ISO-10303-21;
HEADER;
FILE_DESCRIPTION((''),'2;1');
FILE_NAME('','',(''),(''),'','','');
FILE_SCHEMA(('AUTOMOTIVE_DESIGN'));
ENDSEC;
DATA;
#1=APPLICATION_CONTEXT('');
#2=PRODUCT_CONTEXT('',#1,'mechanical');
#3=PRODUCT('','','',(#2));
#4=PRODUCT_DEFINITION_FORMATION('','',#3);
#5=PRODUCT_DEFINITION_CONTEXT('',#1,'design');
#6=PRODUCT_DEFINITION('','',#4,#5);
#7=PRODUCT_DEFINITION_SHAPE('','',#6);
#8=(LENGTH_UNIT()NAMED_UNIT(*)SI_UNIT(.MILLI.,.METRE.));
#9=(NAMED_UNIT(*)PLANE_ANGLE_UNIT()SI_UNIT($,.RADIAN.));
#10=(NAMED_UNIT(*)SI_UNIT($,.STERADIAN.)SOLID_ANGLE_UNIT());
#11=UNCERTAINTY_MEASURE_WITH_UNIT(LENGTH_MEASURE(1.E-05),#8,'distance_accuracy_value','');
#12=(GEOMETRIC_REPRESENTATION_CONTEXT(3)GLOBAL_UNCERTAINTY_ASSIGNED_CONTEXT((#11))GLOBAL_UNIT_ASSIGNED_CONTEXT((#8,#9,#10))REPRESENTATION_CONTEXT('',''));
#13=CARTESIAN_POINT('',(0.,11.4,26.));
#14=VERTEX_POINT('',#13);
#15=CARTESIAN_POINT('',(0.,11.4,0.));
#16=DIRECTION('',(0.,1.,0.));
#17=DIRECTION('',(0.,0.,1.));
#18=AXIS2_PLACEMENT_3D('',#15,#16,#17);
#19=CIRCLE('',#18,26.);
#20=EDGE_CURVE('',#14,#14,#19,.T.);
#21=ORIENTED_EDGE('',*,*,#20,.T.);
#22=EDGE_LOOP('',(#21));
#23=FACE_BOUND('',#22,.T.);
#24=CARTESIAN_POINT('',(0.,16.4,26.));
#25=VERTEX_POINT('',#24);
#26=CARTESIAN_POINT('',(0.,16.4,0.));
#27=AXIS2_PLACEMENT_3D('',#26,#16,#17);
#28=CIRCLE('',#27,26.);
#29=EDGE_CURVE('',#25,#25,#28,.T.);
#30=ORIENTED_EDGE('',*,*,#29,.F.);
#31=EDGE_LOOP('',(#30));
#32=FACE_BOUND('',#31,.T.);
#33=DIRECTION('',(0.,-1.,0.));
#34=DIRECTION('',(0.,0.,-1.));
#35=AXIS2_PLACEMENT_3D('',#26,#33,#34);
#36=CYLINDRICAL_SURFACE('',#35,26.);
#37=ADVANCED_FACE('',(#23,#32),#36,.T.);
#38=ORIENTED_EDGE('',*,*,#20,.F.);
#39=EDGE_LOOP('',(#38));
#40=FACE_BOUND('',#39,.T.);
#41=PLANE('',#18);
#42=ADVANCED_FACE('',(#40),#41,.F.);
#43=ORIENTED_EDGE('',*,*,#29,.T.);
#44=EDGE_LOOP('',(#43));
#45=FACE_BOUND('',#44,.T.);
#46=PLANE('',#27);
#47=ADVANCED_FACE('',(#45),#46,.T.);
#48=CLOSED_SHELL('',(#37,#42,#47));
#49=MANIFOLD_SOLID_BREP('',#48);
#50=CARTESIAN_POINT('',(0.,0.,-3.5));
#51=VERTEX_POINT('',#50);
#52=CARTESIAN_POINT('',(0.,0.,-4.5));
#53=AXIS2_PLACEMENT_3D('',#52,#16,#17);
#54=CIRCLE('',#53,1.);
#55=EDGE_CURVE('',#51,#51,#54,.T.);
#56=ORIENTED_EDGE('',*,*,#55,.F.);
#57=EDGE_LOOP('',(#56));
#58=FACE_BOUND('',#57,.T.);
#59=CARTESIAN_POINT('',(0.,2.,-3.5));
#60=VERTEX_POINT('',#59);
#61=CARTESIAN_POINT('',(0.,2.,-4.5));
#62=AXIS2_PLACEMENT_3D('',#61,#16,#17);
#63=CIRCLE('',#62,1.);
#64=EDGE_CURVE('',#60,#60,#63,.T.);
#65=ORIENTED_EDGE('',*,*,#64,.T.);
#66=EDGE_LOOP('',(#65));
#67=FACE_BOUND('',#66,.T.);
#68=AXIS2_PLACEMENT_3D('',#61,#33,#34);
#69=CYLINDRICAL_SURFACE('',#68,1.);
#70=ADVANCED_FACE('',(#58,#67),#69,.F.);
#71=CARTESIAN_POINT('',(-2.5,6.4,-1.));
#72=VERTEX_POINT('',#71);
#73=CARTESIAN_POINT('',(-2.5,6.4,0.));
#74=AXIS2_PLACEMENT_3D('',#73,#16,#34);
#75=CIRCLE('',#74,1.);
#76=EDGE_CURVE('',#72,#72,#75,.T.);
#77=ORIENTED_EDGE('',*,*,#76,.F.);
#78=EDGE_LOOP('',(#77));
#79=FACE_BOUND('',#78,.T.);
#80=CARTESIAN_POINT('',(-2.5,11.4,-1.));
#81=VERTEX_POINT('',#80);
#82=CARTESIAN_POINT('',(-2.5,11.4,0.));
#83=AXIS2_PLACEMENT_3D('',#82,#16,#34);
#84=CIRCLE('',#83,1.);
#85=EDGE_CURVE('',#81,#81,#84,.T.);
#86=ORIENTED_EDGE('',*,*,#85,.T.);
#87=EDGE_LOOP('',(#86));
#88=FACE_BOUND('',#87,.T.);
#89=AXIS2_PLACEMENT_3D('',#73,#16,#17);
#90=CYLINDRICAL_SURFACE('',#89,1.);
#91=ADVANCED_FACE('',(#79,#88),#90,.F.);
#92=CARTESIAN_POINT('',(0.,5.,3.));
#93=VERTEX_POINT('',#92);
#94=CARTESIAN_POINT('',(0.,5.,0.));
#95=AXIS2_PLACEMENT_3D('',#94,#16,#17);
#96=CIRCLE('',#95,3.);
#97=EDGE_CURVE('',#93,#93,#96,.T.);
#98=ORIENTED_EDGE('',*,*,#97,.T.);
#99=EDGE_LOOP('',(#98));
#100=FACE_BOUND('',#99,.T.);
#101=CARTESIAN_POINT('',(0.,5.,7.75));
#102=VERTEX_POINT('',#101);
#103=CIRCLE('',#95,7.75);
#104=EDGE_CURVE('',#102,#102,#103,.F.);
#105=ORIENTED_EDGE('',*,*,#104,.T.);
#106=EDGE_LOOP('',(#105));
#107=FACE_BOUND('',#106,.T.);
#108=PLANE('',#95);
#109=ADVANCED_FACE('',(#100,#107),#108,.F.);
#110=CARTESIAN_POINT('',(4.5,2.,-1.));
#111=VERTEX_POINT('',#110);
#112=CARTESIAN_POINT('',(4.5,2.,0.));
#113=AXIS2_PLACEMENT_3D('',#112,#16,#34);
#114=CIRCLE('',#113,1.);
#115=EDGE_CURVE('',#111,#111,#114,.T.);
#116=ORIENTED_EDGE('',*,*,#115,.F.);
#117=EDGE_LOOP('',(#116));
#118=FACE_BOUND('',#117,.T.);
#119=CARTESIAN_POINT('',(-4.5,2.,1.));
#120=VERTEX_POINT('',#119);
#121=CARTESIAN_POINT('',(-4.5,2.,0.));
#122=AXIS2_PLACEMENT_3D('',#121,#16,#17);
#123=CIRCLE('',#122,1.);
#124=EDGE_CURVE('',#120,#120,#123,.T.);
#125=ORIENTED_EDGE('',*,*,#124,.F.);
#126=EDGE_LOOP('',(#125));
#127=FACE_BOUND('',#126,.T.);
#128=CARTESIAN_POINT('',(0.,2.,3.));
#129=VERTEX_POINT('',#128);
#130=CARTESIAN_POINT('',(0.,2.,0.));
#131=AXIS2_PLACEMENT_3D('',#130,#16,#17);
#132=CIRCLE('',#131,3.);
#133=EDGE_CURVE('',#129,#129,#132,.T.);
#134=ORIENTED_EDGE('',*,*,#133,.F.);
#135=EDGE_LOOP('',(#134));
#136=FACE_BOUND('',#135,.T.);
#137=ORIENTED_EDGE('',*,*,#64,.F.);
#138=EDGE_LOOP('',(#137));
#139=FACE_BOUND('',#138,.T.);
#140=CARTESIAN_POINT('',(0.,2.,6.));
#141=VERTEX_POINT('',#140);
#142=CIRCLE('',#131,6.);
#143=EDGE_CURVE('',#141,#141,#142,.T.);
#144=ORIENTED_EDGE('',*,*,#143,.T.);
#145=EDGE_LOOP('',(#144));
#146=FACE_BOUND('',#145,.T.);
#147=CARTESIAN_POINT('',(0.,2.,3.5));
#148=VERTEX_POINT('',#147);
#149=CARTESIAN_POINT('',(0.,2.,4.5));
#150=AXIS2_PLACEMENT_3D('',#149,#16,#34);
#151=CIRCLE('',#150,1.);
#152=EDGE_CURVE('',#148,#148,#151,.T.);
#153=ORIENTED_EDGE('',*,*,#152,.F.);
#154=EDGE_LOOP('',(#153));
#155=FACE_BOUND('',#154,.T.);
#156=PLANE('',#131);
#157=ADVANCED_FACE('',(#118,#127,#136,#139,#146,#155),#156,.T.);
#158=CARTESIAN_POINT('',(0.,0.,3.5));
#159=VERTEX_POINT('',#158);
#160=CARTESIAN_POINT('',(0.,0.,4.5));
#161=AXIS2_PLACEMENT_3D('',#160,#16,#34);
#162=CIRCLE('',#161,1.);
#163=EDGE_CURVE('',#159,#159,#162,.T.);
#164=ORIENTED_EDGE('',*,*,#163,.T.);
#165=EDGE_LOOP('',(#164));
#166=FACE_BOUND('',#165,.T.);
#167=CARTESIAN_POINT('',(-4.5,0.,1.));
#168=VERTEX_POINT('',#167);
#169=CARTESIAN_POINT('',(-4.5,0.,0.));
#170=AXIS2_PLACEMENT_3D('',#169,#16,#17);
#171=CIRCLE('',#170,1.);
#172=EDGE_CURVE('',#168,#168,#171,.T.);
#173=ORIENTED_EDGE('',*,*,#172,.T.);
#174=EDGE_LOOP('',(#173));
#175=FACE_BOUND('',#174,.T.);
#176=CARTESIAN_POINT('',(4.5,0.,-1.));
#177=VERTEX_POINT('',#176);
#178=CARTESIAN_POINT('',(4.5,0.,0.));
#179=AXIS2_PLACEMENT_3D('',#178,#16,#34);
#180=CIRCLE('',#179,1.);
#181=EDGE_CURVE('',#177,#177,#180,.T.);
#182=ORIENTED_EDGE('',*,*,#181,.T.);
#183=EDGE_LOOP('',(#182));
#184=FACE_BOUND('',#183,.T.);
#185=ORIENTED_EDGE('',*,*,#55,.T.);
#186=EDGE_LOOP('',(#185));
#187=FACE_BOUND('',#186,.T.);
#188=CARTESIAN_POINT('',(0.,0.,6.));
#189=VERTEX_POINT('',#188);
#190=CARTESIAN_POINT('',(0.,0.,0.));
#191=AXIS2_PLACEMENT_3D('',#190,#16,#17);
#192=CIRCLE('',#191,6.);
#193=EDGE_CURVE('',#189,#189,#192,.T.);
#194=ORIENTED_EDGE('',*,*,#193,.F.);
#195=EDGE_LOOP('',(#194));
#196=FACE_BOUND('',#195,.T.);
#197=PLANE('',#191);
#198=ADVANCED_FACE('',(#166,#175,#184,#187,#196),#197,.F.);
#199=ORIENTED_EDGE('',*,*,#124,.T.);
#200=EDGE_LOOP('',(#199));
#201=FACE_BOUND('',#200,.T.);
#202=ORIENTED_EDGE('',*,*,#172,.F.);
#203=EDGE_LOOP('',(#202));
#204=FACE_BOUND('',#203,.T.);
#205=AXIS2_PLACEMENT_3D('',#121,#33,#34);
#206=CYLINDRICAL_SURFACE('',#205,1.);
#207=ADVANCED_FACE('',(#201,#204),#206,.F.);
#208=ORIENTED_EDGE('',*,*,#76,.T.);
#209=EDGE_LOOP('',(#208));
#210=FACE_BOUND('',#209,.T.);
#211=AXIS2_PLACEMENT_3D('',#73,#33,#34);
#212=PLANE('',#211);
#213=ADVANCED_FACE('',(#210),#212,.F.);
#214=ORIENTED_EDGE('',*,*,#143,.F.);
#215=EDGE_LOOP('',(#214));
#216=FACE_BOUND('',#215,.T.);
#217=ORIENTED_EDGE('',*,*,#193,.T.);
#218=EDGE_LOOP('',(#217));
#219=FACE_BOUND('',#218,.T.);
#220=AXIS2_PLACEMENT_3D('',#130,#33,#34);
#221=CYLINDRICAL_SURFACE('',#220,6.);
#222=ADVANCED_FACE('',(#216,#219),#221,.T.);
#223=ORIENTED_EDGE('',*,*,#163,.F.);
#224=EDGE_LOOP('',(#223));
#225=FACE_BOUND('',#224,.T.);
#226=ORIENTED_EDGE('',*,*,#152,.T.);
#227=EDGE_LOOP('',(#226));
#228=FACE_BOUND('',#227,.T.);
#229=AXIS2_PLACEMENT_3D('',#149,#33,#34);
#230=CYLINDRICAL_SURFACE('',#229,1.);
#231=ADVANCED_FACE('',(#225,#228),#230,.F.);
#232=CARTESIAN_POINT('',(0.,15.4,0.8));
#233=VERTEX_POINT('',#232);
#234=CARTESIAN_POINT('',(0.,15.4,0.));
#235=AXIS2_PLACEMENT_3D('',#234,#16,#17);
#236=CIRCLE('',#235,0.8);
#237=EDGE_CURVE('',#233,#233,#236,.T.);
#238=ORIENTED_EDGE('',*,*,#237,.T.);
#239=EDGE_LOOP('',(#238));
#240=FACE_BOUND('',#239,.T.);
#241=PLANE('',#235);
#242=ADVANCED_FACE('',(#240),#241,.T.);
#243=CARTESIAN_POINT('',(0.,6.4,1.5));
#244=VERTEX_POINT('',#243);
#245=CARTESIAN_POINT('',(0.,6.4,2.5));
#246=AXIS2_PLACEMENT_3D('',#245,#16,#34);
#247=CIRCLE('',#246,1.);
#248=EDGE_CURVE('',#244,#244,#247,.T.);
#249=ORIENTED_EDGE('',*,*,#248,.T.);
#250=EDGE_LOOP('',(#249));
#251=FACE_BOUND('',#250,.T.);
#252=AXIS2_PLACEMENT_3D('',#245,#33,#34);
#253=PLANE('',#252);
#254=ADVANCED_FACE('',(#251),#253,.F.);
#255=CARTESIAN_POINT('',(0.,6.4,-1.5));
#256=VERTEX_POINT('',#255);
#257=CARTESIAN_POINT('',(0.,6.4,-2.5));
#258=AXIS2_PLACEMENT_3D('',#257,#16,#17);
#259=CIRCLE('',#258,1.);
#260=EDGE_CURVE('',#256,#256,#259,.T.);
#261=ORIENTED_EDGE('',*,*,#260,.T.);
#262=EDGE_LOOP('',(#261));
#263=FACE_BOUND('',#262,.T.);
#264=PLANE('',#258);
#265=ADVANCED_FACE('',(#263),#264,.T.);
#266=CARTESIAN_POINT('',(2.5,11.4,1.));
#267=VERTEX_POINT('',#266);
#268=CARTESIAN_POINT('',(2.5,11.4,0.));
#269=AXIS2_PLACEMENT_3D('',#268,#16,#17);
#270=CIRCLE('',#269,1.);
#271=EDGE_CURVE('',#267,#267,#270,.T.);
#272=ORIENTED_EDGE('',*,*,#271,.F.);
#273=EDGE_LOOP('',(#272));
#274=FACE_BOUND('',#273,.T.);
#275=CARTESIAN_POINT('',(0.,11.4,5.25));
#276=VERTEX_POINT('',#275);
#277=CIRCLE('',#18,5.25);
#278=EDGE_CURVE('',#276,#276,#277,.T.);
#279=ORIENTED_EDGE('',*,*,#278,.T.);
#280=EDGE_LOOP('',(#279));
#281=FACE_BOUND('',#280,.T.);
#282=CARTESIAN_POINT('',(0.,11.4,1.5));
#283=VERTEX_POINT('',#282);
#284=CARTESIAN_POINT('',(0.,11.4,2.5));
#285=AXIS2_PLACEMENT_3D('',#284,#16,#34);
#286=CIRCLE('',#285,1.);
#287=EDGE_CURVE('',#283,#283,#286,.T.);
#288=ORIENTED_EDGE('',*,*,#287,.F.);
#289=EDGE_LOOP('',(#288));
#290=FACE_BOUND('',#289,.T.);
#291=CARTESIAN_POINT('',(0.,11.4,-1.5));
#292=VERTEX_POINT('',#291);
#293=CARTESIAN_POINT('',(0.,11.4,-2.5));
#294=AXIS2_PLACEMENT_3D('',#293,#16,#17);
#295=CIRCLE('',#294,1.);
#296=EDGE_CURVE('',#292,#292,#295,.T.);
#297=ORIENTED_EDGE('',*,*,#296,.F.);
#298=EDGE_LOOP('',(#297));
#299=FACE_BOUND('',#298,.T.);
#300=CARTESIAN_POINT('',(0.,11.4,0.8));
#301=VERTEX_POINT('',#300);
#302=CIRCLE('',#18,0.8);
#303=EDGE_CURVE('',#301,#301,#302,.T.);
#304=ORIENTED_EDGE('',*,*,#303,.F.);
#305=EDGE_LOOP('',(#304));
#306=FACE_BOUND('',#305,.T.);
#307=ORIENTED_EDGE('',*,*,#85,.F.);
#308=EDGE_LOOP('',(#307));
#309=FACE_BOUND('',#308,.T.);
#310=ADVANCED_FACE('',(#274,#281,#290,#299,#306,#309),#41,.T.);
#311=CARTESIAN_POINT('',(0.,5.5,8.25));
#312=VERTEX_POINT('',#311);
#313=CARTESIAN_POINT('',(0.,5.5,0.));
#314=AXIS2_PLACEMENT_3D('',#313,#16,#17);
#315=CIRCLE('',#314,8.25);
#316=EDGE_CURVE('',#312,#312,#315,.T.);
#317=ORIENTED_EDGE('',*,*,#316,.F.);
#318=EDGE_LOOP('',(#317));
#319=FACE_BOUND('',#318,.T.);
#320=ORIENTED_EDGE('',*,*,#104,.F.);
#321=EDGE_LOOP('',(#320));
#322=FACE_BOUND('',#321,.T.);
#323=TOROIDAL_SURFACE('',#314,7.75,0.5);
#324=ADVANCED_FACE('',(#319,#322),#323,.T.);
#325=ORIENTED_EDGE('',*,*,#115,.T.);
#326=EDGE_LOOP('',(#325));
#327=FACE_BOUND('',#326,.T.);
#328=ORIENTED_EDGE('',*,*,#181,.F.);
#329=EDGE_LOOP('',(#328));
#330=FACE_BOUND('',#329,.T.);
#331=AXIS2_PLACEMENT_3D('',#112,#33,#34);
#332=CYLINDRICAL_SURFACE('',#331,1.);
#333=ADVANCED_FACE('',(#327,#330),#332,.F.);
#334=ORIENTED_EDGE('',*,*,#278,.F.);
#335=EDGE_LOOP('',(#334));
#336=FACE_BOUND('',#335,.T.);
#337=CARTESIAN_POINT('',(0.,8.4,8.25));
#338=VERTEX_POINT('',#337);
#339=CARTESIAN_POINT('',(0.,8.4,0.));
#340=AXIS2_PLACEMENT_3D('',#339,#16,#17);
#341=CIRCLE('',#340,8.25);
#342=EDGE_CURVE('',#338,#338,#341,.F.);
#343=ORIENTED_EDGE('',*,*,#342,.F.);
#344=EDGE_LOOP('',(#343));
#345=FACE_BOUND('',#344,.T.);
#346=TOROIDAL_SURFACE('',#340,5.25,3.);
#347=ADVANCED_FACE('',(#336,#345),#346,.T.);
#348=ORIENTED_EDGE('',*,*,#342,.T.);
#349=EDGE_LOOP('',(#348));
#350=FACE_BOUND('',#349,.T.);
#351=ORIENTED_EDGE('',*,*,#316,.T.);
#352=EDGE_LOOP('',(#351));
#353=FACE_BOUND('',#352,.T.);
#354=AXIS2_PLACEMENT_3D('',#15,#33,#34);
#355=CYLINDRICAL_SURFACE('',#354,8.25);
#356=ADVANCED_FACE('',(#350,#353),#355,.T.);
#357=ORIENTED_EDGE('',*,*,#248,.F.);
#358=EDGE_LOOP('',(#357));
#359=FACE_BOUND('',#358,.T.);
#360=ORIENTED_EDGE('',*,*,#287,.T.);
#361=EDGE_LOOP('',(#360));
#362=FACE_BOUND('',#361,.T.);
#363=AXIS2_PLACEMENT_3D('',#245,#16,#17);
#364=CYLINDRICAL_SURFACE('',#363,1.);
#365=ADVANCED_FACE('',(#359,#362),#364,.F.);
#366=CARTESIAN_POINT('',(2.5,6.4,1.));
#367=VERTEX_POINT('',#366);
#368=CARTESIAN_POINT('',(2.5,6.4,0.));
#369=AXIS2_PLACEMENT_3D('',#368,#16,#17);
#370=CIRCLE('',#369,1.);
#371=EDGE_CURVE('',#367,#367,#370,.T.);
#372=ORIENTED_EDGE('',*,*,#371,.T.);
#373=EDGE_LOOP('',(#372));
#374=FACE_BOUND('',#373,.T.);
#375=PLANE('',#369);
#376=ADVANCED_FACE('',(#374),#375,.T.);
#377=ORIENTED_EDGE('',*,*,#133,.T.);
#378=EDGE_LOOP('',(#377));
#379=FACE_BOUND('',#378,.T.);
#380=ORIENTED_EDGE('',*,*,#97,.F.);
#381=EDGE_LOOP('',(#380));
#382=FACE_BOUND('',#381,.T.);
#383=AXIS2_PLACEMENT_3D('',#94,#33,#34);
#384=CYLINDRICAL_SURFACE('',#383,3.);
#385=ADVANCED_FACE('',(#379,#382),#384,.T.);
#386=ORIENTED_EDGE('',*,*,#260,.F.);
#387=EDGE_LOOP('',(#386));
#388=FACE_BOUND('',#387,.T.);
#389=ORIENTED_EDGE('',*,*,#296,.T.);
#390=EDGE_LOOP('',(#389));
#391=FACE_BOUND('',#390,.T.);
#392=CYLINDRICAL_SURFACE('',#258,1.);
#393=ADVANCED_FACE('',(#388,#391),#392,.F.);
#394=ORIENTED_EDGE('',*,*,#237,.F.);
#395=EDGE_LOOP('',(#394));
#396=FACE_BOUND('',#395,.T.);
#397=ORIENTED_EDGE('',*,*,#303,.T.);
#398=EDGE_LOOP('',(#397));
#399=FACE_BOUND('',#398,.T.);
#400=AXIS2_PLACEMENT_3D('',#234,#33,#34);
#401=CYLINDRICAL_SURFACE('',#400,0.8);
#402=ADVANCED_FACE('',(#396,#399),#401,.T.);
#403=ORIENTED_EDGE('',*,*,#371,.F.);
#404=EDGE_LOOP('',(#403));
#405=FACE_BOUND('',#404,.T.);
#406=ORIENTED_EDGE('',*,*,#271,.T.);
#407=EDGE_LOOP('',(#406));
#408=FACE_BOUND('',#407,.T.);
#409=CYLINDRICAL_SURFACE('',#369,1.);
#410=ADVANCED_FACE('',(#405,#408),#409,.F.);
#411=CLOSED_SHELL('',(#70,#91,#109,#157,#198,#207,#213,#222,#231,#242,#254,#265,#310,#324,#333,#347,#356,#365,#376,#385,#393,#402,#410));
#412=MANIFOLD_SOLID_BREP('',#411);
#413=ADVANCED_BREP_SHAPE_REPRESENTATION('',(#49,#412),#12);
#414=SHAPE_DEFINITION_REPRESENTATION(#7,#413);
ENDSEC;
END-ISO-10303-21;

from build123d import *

# Parameters (mm, degrees)
SKETCH_2_R          = 6
SKETCH_2_R_2        = 1
EXTRUDE_1_DEPTH     = 2
SKETCH_3_R          = 3
EXTRUDE_2_DEPTH     = 3
SKETCH_4_R          = 8.25
EXTRUDE_3_DEPTH     = 6.4
FILLET_1_R          = 3
FILLET_2_R          = 0.5
SKETCH_5_R          = 1
CUT_EXTRUDE_3_DEPTH = 5
SKETCH_7_R          = 0.8
EXTRUDE_5_DEPTH     = 4
SKETCH_6_R          = 26
EXTRUDE_4_DEPTH     = 5


with BuildPart() as part:
    # 草图2 → 凸台-拉伸1 (new body)
    with BuildSketch(Plane(origin=(0, 0, 0), x_dir=(1, 0, 0), z_dir=(0, 1, 0))):
        with Locations(Location((0, 0, 0), (0, 0, 270))):
            Circle(SKETCH_2_R)
        with Locations(Location((0, 4.5, 0), (0, 0, 270))):
            Circle(SKETCH_2_R_2, mode=Mode.SUBTRACT)
        with Locations(Location((-4.5, 0, 0), (0, 0, 270))):
            Circle(SKETCH_2_R_2, mode=Mode.SUBTRACT)
        with Locations(Location((0, -4.5, 0), (0, 0, 90))):
            Circle(SKETCH_2_R_2, mode=Mode.SUBTRACT)
        with Locations(Location((4.5, 0, 0), (0, 0, 90))):
            Circle(SKETCH_2_R_2, mode=Mode.SUBTRACT)
    extrude(amount=EXTRUDE_1_DEPTH)

    # 草图3 → 凸台-拉伸2 (add)
    with BuildSketch(Plane(origin=(0, 2, 0), x_dir=(1, 0, 0), z_dir=(0, 1, 0))):
        with Locations(Location((0, 0, 0), (0, 0, 270))):
            Circle(SKETCH_3_R)
    extrude(amount=EXTRUDE_2_DEPTH)

    # 草图4 → 凸台-拉伸3 (add)
    with BuildSketch(Plane(origin=(0, 5, 0), x_dir=(1, 0, 0), z_dir=(0, 1, 0))):
        with Locations(Location((0, 0, 0), (0, 0, 270))):
            Circle(SKETCH_4_R)
    extrude(amount=EXTRUDE_3_DEPTH)

    # 圆角1
    fillet_1_edges = [part.edges().sort_by_distance(p)[0] for p in [
        (0, 11.4, -8.25),
    ]]
    fillet(fillet_1_edges, radius=FILLET_1_R)

    # 圆角2
    fillet_2_edges = [part.edges().sort_by_distance(p)[0] for p in [
        (0, 5, -8.25),
    ]]
    fillet(fillet_2_edges, radius=FILLET_2_R)

    # 草图5 → 切除-拉伸3 (cut)
    with BuildSketch(Plane(origin=(0, 11.4, 0), x_dir=(1, 0, 0), z_dir=(0, 1, 0))):
        with Locations(Location((0, 2.5, 0), (0, 0, 270))):
            Circle(SKETCH_5_R)
        with Locations(Location((2.5, 0, 0), (0, 0, 270))):
            Circle(SKETCH_5_R)
        with Locations(Location((0, -2.5, 0), (0, 0, 90))):
            Circle(SKETCH_5_R)
        with Locations(Location((-2.5, 0, 0), (0, 0, 90))):
            Circle(SKETCH_5_R)
    extrude(amount=-CUT_EXTRUDE_3_DEPTH, mode=Mode.SUBTRACT)

    # 草图7 → 凸台-拉伸5 (add)
    with BuildSketch(Plane(origin=(0, 11.4, 0), x_dir=(1, 0, 0), z_dir=(0, 1, 0))):
        with Locations(Location((0, 0, 0), (0, 0, 270))):
            Circle(SKETCH_7_R)
    extrude(amount=EXTRUDE_5_DEPTH)


with BuildPart() as body_2:
    # 草图6 → 凸台-拉伸4 (new body)
    with BuildSketch(Plane(origin=(0, 11.4, 0), x_dir=(1, 0, 0), z_dir=(0, 1, 0))):
        with Locations(Location((0, 0, 0), (0, 0, 270))):
            Circle(SKETCH_6_R)
    extrude(amount=EXTRUDE_4_DEPTH)


solid = Compound([part.part, body_2.part])
